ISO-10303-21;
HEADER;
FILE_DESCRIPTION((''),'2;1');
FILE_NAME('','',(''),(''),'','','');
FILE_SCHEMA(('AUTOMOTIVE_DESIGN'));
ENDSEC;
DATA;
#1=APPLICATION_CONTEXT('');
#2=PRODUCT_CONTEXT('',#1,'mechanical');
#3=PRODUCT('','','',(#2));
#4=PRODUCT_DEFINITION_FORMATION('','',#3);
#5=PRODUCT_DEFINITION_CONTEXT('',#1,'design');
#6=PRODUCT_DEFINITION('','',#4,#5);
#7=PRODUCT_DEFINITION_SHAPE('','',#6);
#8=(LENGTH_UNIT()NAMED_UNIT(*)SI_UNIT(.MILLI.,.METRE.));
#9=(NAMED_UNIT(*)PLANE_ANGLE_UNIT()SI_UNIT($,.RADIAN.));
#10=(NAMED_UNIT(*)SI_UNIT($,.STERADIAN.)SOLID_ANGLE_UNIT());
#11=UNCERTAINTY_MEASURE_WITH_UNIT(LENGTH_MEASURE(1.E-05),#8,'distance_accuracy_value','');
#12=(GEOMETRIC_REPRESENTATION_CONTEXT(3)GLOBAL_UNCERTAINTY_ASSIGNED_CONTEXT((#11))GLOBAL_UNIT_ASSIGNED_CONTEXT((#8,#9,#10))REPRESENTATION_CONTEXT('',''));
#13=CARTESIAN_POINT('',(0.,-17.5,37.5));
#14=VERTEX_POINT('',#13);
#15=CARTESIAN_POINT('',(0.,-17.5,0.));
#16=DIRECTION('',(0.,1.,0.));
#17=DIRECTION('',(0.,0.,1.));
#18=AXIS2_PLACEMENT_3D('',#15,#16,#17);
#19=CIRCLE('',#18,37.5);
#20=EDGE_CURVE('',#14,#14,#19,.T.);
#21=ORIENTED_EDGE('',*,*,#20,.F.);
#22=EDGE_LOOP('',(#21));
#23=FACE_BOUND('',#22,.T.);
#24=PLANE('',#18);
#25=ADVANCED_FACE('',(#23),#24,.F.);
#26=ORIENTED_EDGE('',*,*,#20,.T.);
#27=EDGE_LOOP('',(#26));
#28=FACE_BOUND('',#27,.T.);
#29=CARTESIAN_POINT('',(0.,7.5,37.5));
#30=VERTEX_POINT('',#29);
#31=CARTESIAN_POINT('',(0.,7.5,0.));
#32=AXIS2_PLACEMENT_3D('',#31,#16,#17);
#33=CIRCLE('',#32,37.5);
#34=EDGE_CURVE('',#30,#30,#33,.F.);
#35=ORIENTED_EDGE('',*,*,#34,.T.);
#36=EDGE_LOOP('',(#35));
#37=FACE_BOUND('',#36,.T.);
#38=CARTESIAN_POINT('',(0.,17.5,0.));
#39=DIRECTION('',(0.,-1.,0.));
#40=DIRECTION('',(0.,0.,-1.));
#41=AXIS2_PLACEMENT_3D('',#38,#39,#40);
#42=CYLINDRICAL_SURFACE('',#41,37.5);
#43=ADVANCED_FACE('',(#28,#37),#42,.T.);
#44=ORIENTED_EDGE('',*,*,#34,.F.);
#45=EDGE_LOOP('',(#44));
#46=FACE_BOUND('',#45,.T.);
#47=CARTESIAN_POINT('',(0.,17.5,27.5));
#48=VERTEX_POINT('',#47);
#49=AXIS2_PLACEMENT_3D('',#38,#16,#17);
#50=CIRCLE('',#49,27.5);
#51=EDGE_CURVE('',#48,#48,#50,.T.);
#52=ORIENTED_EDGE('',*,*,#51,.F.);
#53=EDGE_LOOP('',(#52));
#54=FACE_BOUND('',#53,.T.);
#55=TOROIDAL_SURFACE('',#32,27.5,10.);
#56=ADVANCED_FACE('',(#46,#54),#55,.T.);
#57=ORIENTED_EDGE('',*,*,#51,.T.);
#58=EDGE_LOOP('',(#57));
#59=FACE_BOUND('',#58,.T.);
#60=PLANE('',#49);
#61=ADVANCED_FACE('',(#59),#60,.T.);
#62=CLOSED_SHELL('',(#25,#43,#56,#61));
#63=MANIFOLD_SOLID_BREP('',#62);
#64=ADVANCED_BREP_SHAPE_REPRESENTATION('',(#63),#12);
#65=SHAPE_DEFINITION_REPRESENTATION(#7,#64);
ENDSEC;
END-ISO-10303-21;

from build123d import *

# Parameters (mm, degrees)
SKETCH1_R           = 37.5
BOSS_EXTRUDE1_DEPTH = 17.5
FILLET1_R           = 10


with BuildPart() as part:
    # Sketch1 → Boss-Extrude1 (new, symmetric)
    with BuildSketch(Plane(origin=(0, 0, 0), x_dir=(1, 0, 0), z_dir=(0, 1, 0))):
        with Locations(Location((0, 0, 0), (0, 0, 270))):
            Circle(SKETCH1_R)
    extrude(amount=BOSS_EXTRUDE1_DEPTH, both=True)

    # Fillet1
    fillet1_edges = [part.edges().sort_by_distance(p)[0] for p in [
        (0, 17.5, -37.5),
    ]]
    fillet(fillet1_edges, radius=FILLET1_R)


solid = part.part
